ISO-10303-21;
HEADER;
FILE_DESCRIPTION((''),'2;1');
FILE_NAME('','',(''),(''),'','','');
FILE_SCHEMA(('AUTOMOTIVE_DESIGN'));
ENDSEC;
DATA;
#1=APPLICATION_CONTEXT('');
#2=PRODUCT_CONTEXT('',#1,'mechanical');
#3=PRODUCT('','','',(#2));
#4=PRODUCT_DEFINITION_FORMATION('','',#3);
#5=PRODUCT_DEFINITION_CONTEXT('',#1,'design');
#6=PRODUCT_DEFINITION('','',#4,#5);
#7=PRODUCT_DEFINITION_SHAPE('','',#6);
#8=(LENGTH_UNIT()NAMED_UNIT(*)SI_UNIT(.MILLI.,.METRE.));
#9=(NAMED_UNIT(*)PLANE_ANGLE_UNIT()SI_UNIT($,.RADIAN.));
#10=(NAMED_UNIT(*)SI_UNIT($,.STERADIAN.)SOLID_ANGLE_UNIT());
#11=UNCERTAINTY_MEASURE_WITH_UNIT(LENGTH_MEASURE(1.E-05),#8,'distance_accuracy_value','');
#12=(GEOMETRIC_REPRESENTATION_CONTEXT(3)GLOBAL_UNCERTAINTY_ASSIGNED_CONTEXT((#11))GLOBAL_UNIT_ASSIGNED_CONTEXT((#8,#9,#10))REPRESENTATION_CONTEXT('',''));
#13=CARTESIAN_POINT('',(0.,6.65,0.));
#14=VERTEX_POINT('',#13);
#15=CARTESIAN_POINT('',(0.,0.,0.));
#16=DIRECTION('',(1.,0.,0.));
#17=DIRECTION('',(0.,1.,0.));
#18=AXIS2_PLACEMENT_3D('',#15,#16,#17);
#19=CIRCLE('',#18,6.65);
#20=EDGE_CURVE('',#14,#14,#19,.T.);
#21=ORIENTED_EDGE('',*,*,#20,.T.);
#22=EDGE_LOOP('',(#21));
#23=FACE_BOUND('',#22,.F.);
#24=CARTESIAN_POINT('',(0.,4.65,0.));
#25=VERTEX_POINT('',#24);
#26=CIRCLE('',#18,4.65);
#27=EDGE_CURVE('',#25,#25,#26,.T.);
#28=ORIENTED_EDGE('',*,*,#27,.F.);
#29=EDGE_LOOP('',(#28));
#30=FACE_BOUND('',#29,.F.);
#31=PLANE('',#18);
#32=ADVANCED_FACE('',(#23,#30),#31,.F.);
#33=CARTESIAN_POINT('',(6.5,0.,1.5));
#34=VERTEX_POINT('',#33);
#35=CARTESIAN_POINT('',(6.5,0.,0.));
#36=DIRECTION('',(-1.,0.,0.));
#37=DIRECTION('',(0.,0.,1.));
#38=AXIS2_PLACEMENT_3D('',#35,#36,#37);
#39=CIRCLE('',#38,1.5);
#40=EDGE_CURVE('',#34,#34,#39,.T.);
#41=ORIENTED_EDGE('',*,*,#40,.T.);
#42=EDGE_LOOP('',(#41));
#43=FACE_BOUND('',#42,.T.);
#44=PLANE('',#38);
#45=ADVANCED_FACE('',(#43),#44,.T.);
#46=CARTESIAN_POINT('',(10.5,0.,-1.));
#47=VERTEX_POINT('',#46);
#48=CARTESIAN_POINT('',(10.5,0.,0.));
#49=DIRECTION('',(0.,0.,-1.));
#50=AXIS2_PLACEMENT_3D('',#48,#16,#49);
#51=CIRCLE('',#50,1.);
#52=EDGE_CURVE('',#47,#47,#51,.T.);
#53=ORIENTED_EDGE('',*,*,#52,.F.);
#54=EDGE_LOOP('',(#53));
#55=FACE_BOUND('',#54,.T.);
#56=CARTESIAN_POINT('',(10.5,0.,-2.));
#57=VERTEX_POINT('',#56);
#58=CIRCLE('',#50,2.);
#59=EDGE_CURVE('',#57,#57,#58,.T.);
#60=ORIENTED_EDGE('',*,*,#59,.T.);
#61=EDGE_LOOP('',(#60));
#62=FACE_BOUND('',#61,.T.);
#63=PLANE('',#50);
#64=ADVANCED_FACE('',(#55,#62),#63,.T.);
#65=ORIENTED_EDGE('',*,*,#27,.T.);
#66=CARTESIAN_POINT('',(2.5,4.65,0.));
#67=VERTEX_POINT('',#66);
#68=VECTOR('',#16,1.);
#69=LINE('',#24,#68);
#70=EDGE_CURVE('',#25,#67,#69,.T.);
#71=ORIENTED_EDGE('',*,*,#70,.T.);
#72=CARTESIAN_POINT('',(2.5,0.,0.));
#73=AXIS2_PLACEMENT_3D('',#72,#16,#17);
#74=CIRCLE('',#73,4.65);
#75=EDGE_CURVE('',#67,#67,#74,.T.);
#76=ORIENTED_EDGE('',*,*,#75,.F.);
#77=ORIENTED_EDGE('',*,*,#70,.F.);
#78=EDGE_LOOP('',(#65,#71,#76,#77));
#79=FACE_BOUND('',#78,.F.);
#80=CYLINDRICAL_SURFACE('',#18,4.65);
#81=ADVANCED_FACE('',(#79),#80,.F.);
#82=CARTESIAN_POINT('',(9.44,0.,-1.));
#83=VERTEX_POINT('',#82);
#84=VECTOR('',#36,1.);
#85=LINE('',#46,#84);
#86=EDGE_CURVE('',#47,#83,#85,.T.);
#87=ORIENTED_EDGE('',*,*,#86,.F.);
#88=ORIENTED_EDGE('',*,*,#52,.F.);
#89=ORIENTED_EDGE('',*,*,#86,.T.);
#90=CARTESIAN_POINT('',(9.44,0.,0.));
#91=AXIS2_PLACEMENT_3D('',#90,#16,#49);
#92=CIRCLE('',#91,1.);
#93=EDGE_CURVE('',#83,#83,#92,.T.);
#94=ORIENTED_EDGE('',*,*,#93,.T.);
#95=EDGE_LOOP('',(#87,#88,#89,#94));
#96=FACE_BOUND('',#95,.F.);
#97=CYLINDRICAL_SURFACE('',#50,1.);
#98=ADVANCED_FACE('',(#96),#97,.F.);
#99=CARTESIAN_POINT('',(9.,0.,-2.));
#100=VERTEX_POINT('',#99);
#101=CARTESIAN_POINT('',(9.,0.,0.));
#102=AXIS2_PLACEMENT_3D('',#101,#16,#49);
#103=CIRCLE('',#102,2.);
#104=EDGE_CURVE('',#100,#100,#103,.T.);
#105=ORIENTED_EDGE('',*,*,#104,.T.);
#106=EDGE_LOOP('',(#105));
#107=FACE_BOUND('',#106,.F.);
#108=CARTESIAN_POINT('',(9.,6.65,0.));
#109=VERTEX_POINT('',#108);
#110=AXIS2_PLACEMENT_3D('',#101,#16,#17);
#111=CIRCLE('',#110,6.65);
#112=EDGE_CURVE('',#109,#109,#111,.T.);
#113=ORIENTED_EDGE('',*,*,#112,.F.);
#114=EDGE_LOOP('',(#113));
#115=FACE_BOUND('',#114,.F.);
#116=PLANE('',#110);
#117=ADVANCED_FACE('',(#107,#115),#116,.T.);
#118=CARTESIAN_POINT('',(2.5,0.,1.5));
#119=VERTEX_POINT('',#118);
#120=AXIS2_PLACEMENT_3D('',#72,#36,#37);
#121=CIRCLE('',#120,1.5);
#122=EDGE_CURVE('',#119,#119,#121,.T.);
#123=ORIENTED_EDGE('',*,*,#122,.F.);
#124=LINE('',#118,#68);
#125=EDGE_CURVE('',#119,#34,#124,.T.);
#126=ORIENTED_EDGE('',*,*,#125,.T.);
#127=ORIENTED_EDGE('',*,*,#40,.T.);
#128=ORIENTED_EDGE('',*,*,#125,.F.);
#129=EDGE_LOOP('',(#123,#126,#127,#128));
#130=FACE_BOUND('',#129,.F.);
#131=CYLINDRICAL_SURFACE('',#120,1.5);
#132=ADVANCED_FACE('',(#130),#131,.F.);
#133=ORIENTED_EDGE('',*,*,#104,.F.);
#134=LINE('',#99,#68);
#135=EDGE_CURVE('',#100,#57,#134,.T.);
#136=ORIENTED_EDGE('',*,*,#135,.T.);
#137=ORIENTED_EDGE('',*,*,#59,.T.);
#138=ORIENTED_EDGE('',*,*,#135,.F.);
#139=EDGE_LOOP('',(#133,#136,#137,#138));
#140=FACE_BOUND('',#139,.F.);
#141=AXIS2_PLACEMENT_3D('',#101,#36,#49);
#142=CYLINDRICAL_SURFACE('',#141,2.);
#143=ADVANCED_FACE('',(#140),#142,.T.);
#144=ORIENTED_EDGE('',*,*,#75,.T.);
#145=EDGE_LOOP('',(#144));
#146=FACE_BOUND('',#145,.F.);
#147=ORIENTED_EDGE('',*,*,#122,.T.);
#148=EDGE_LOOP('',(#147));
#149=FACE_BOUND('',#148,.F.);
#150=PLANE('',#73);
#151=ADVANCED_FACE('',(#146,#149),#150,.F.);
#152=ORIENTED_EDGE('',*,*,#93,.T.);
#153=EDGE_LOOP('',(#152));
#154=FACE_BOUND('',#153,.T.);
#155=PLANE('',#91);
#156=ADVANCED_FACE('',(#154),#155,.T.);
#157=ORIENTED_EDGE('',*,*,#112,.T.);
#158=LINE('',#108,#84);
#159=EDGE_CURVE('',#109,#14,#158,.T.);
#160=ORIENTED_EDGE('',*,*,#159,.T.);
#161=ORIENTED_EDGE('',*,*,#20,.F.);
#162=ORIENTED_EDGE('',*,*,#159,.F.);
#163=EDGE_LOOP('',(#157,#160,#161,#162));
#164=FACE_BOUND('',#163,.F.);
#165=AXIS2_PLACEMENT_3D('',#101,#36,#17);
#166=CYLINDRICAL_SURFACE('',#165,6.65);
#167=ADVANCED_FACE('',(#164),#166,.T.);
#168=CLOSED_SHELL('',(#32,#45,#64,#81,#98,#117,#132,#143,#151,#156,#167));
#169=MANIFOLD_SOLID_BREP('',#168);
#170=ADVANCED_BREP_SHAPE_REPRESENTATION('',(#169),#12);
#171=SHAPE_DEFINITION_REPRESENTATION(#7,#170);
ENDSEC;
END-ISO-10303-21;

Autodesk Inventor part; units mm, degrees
ref_plane "YZ Plane" through (0, 0, 0) normal (1, 0, 0) x (0, 1, 0)
ref_plane "XZ Plane" through (0, 0, 0) normal (0, 1, 0) x (-1, 0, 0)
ref_plane "XY Plane" through (0, 0, 0) normal (0, 0, 1) x (1, 0, 0)
sketch "Esboço1" plane through (0, 0, 0) normal (0, 0, 1) x (1, 0, 0)
  line L0 (0, 0) -> (9, 0)
  line L1 (9, 0) -> (9, 6.65)
  line L2 (9, 6.65) -> (0, 6.65)
  line L3 (0, 6.65) -> (0, 4.65)
  line L4 (0, 4.65) -> (2.5, 4.65)
  line L5 (2.5, 4.65) -> (2.5, 0)
  dimension "d0" = 9
  dimension "d1" = 6.65
  dimension "d2" = 2
  dimension "d3" = 2.5
revolve "Revolução1" add sketch "Esboço1" angle 360 about axis through (0, 0, 0) along (1, 0, 0)
sketch "Esboço2" plane through (9, 0, 0) normal (1, 0, 0) x (0, 0, -1)
  circle A0 centre (0, 0) radius 2
  dimension "d5" = 4
extrude "Extrusão1" add sketch "Esboço2" along normal blind 1.5
sketch "Esboço3" plane through (2.5, 0, 0) normal (-1, 0, 0) x (0, 0, 1)
  circle A0 centre (0, 0) radius 1.5
  dimension "d8" = 3
extrude "Extrusão2" cut sketch "Esboço3" against normal blind 4
sketch "Esboço4" plane through (0, 0, 0) normal (-1, 0, 0) x (0, 0, 1)
  point P0 (0, 0)
sketch "Esboço5" plane through (9, 0, 0) normal (1, 0, 0) x (0, 0, -1)
  point P0 (0, 0)
sketch "Esboço6" plane through (10.5, 0, 0) normal (1, 0, 0) x (0, 0, -1)
  circle A0 centre (0, 0) radius 2 projected
  circle A1 centre (0, 0) radius 1
  dimension "d11" = 2
extrude "Extrusão3" cut sketch "Esboço6" against normal blind 1.06 contours A1
